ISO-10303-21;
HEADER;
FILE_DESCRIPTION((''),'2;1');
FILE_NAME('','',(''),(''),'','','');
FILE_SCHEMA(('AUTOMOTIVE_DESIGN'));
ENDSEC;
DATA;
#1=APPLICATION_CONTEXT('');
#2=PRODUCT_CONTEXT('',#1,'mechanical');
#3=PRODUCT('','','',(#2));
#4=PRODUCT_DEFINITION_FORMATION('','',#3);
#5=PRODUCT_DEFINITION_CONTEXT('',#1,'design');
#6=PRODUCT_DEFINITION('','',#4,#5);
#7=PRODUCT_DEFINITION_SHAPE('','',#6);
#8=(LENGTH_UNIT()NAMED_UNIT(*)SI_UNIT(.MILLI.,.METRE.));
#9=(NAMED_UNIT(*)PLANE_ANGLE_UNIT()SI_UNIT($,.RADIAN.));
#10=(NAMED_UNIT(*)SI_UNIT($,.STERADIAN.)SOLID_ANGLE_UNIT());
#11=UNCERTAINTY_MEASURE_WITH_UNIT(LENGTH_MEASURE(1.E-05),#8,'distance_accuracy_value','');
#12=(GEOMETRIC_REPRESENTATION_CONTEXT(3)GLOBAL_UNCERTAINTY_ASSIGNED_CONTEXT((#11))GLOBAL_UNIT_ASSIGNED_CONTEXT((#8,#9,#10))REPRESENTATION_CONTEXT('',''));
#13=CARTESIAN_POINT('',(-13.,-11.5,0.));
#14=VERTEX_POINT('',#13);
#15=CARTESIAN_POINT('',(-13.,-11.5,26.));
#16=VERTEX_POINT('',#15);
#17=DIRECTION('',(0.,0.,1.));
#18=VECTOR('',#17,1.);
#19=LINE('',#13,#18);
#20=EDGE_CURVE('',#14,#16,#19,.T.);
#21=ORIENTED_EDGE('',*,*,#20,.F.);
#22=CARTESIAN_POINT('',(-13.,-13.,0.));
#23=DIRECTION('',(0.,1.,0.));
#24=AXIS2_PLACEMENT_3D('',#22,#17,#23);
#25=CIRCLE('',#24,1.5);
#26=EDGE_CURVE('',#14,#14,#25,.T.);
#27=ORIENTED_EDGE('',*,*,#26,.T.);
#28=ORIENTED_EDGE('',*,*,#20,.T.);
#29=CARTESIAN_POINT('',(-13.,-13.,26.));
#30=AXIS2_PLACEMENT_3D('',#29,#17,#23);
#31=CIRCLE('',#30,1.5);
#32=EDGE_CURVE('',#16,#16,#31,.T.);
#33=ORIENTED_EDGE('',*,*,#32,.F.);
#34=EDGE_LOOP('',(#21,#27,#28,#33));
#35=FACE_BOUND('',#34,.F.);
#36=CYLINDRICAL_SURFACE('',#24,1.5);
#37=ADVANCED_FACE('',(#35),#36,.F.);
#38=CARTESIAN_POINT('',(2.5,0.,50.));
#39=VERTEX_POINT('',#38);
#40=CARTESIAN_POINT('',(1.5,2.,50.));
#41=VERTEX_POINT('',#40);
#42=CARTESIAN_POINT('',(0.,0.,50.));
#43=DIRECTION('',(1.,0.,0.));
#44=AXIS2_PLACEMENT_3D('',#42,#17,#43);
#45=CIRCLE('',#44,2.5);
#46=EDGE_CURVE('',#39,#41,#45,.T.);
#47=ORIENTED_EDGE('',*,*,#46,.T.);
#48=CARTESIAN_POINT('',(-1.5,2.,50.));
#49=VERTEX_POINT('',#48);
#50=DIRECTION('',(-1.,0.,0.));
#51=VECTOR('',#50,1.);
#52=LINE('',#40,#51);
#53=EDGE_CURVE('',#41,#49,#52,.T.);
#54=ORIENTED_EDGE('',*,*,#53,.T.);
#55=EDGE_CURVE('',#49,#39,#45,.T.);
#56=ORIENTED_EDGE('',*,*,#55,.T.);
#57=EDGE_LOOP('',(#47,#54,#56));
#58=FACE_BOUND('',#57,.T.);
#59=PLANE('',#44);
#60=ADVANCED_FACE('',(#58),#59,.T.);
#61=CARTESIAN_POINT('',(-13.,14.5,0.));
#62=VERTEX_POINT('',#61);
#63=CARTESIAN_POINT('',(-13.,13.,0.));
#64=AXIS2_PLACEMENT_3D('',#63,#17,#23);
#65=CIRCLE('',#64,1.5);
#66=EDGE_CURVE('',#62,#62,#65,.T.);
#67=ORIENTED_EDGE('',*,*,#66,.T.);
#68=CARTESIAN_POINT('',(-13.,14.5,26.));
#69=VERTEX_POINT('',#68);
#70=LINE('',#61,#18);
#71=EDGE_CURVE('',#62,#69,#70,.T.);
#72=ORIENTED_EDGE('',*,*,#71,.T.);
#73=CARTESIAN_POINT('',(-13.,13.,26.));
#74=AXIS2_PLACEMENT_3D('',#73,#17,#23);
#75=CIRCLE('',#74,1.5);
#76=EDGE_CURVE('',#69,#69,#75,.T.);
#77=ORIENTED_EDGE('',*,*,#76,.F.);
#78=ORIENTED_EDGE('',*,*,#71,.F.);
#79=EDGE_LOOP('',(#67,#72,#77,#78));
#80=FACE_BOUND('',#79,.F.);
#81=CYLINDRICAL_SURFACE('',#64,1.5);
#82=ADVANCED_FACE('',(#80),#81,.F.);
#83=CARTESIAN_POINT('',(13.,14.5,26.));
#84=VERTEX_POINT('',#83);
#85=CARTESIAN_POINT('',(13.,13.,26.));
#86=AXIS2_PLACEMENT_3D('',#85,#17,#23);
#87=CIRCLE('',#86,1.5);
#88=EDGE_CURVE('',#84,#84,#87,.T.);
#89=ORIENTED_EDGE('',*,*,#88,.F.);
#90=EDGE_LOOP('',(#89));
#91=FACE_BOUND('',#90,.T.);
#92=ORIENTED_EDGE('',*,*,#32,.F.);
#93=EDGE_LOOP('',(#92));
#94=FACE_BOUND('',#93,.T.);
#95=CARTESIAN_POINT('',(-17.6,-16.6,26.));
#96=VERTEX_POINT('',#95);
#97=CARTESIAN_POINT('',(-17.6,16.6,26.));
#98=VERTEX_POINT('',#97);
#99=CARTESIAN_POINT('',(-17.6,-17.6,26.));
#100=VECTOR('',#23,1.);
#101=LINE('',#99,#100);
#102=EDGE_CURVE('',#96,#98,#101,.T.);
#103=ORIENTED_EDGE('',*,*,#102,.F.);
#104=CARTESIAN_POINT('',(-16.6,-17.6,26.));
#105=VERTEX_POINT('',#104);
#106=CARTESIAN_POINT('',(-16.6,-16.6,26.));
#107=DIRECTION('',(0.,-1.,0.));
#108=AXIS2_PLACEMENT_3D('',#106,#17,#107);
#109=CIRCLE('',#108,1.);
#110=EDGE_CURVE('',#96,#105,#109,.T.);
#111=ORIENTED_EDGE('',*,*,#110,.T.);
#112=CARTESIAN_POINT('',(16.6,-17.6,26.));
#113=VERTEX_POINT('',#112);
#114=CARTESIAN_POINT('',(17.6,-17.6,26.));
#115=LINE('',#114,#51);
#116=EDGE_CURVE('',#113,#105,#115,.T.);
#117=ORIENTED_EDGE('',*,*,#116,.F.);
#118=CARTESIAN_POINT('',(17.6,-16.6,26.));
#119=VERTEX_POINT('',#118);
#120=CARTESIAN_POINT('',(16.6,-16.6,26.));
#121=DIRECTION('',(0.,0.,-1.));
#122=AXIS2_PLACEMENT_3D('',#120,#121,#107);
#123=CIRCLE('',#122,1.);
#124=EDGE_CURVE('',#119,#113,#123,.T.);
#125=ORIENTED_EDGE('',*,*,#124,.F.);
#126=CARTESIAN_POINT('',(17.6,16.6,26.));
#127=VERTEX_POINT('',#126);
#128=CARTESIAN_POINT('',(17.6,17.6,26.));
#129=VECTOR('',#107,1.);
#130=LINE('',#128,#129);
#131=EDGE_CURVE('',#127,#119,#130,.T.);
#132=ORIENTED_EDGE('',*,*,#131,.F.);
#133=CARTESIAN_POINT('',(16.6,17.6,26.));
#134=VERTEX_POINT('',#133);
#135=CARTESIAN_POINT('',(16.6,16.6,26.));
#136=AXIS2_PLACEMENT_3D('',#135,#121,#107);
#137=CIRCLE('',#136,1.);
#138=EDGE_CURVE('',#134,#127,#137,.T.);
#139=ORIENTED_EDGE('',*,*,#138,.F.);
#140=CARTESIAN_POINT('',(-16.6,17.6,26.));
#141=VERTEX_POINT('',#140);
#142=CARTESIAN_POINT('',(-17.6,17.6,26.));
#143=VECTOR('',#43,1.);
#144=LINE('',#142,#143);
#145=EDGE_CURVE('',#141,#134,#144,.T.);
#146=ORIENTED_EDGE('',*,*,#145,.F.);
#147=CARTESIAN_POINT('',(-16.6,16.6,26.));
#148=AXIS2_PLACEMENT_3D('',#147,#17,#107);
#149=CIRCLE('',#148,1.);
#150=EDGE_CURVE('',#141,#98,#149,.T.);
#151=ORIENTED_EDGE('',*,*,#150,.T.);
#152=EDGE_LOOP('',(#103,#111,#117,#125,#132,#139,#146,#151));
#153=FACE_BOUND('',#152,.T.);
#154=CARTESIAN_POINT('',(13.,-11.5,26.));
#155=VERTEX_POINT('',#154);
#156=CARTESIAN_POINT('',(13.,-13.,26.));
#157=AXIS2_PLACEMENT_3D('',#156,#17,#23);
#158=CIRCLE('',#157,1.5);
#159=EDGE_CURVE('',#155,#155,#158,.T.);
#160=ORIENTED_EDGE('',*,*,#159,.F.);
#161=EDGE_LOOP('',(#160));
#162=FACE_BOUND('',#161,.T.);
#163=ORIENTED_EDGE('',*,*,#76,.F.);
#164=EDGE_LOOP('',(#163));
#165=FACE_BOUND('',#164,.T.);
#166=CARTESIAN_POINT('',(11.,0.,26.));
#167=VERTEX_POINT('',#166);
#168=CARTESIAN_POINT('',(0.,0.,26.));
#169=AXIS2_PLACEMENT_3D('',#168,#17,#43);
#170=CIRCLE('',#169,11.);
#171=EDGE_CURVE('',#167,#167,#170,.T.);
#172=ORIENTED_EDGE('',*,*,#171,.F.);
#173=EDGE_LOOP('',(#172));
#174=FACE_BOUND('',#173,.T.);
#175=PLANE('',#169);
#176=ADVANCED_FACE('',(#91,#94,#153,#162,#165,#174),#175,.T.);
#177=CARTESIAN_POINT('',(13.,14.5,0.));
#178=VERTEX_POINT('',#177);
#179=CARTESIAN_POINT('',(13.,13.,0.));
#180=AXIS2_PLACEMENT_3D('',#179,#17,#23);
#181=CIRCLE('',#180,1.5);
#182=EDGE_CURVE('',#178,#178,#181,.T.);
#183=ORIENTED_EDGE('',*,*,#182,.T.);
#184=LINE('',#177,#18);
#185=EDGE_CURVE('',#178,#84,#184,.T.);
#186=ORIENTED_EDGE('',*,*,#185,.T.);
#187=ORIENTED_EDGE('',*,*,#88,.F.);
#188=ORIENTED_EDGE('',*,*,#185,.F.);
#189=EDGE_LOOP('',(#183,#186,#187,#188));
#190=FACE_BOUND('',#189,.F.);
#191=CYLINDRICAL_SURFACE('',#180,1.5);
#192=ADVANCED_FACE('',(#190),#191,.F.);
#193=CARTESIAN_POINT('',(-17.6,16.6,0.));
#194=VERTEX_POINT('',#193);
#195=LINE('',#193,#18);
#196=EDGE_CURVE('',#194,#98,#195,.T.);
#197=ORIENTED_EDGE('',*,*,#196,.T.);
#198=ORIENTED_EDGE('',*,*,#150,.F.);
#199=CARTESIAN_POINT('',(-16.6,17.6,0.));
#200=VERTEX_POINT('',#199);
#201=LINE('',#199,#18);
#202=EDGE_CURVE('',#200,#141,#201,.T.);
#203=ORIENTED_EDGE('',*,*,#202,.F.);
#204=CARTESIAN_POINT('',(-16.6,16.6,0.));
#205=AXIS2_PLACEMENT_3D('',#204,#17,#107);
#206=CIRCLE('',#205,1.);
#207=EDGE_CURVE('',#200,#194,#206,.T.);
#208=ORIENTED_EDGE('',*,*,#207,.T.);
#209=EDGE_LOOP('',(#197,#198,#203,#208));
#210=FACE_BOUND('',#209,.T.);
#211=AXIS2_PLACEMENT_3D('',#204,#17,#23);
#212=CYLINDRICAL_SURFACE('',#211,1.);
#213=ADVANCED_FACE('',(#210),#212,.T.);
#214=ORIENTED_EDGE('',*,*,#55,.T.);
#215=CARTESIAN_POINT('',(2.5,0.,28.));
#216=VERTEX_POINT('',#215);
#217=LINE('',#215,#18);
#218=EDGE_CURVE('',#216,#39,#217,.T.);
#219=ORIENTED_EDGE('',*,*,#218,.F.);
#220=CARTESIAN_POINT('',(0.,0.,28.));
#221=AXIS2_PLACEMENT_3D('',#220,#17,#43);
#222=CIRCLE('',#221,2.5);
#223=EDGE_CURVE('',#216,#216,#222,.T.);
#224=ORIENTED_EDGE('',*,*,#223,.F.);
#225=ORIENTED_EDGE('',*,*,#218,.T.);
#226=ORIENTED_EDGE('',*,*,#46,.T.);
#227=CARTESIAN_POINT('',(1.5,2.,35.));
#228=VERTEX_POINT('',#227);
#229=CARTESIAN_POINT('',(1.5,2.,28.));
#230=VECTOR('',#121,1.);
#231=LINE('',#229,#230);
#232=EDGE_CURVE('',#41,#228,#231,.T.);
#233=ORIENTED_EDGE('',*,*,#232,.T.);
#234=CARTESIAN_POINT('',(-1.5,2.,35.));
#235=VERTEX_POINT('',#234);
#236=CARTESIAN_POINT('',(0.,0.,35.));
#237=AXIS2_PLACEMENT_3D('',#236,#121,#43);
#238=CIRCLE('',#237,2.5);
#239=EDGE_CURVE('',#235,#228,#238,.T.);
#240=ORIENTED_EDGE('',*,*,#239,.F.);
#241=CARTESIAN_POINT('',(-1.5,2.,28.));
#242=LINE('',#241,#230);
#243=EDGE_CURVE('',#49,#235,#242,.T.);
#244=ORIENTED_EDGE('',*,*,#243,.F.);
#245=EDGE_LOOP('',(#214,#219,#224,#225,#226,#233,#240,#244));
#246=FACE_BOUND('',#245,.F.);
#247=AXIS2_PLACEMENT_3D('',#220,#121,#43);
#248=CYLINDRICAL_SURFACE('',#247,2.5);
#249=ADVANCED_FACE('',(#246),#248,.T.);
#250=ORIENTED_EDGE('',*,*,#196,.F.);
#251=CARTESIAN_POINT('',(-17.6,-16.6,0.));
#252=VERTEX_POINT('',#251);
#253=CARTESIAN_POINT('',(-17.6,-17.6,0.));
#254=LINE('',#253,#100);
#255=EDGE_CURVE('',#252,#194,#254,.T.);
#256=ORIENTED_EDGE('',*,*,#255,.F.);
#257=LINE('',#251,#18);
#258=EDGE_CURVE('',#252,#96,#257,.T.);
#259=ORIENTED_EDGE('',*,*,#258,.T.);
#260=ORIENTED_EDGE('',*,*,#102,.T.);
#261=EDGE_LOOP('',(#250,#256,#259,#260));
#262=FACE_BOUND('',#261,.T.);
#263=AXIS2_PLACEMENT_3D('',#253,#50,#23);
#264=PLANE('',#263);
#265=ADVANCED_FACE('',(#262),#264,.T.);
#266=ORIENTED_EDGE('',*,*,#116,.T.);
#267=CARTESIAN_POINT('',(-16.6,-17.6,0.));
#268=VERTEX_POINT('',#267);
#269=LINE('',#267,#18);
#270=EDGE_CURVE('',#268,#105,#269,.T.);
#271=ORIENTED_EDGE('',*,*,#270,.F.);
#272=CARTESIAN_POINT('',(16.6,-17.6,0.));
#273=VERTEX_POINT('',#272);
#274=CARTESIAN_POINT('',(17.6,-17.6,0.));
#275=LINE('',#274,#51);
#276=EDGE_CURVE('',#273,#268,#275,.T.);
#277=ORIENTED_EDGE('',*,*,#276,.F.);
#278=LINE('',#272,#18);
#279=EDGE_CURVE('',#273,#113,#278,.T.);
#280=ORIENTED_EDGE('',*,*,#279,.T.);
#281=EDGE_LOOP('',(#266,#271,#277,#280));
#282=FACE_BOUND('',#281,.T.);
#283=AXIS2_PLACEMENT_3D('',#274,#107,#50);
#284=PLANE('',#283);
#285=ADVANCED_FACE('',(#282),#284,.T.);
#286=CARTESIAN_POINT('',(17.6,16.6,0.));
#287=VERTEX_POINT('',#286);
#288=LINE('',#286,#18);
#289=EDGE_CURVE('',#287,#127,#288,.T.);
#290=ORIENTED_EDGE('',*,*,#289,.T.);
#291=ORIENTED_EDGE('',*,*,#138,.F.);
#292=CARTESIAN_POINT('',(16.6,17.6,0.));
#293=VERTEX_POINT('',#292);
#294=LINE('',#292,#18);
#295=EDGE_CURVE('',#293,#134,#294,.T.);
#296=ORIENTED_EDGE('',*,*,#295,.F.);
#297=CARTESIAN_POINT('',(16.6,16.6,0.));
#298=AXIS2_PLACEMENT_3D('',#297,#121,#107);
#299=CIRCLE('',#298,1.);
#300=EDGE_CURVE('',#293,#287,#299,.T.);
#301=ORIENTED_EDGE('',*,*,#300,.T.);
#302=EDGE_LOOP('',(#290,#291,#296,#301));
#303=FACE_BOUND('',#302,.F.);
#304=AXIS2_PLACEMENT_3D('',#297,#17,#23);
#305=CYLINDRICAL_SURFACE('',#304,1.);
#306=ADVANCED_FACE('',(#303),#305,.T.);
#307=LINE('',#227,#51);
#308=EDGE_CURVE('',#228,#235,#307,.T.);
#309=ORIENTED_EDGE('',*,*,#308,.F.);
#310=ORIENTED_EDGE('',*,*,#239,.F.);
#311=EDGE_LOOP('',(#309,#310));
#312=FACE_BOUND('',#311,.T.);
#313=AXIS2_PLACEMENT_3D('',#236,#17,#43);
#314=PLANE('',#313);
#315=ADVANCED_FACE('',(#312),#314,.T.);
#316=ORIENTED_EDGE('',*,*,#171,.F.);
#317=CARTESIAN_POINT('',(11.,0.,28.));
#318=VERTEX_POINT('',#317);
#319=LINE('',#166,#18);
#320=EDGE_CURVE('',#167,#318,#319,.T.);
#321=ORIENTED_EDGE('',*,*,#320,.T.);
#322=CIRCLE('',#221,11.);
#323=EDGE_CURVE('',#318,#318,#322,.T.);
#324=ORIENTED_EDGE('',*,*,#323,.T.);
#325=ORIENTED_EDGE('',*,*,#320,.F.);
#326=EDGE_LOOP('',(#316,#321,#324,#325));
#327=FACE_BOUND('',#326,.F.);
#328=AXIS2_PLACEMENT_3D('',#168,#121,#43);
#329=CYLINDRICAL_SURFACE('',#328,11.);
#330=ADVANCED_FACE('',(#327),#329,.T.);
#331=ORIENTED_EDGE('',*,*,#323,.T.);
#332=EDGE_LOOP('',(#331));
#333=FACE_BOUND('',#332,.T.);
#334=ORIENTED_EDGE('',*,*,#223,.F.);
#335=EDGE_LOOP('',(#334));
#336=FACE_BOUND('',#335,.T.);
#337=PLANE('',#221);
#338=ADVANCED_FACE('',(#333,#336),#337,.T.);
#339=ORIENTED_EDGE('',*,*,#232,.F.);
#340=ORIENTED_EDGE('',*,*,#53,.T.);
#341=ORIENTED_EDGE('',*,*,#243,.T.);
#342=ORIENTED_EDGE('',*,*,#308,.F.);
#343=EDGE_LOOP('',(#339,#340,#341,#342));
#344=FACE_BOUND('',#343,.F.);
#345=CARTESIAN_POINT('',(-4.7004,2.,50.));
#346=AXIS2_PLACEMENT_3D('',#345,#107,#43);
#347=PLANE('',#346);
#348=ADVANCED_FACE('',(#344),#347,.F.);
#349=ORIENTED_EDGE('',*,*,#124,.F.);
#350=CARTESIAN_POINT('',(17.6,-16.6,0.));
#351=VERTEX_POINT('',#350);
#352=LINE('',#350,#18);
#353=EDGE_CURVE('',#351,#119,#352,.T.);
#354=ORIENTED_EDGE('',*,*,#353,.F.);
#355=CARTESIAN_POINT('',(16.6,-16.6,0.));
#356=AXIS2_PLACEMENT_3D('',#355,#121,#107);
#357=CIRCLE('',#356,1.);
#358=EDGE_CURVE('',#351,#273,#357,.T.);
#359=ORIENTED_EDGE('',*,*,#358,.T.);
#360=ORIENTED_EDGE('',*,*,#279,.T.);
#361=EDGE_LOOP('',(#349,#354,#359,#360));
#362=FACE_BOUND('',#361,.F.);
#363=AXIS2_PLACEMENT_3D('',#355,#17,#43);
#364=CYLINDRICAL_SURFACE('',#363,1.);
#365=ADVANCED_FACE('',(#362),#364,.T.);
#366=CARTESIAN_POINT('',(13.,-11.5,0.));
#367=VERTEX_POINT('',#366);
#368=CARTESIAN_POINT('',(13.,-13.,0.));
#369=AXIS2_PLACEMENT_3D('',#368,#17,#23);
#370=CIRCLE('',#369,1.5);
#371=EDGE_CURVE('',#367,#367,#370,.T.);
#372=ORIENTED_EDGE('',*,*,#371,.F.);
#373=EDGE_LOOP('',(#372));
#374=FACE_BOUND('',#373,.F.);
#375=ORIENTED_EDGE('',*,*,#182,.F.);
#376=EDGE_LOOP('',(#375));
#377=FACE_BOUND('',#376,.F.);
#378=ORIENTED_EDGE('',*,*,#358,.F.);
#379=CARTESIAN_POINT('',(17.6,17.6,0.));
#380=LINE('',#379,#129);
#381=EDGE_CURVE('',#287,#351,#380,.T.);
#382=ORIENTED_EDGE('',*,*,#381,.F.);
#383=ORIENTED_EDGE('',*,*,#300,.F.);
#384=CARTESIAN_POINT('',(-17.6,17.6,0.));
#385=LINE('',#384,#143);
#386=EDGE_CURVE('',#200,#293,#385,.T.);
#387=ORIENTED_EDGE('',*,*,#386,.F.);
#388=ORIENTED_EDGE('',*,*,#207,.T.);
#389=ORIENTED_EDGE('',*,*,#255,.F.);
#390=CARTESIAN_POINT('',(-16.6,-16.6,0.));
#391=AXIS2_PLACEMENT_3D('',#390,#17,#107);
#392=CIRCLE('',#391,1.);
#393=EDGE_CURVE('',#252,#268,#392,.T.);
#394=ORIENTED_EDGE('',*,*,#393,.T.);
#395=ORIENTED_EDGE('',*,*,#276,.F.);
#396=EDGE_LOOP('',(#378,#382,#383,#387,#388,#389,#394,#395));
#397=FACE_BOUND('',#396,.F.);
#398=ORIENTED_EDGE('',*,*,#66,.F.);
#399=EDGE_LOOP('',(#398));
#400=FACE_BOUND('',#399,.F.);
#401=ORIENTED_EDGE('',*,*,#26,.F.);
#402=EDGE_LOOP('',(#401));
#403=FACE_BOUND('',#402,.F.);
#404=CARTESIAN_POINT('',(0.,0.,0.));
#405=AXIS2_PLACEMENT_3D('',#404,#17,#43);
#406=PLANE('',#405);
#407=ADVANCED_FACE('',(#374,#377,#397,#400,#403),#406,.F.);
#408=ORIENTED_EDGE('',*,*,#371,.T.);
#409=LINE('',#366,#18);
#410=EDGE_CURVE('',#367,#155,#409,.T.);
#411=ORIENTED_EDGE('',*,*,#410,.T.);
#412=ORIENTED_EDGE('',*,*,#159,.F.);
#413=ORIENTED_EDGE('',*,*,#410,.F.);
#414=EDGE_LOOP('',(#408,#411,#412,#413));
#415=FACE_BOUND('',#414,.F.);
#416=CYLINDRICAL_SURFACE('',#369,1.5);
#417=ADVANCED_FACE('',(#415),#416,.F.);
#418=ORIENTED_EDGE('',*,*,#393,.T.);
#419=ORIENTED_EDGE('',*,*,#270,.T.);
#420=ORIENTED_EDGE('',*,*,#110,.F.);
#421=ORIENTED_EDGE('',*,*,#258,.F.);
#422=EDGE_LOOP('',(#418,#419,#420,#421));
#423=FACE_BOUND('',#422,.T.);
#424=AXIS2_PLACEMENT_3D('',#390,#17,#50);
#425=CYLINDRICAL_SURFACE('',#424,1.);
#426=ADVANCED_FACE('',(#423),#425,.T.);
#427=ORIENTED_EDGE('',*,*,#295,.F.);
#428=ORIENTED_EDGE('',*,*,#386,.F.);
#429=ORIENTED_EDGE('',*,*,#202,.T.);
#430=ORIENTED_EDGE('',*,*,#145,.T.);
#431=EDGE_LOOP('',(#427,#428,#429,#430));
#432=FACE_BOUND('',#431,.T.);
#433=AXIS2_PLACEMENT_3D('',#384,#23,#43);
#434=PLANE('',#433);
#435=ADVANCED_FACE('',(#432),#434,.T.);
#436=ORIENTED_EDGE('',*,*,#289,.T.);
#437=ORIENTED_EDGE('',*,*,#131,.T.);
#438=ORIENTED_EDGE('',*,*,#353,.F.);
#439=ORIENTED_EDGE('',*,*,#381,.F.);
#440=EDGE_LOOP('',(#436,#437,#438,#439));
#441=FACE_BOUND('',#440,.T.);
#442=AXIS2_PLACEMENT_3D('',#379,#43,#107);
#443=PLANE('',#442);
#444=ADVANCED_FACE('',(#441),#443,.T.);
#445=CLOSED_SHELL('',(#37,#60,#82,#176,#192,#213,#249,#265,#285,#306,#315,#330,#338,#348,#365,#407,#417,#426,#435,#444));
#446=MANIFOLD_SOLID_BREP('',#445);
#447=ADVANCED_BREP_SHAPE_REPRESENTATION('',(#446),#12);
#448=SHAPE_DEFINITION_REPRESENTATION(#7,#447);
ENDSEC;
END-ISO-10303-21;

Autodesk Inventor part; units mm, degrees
ref_plane "YZ Plane" through (0, 0, 0) normal (1, 0, 0) x (0, 1, 0)
ref_plane "XZ Plane" through (0, 0, 0) normal (0, 1, 0) x (-1, 0, 0)
ref_plane "XY Plane" through (0, 0, 0) normal (0, 0, 1) x (1, 0, 0)
sketch "Эскиз1" plane through (0, 0, 0) normal (0, 0, 1) x (1, 0, 0)
  line L0 (-17.6, 17.6) -> (17.6, 17.6)
  line L1 (17.6, 17.6) -> (17.6, -17.6)
  line L2 (17.6, -17.6) -> (-17.6, -17.6)
  line L3 (-17.6, -17.6) -> (-17.6, 17.6)
  point P0 (13, -13)
  point P1 (-13, -13)
  point P2 (13, 13)
  point P3 (-13, 13)
  dimension "d0" = 35.2
  dimension "d1" = 35.2
extrude "Выдавливание1" add sketch "Эскиз1" along normal blind 26
sketch "Эскиз2" plane through (0, 0, 26) normal (0, 0, 1) x (1, 0, 0)
  circle A0 centre (0, 0) radius 11
  dimension "d6" = 22
extrude "Выдавливание2" add sketch "Эскиз2" along normal blind 2
sketch "Эскиз3" plane through (0, 0, 28) normal (0, 0, 1) x (1, 0, 0)
  circle A0 centre (0, 0) radius 11 projected
  circle A1 centre (0, 0) radius 2.5
  dimension "d9" = 5
extrude "Выдавливание3" add sketch "Эскиз3" along normal blind 22 contours A1
sketch "Эскиз4" plane through (0, 0, 50) normal (0, 0, 1) x (1, 0, 0)
  line L0 (0, 2) -> (3.1194, 2)
  line L1 (3.1194, 2) -> (3.1194, 3.4913)
  line L2 (3.1194, 3.4913) -> (-4.7004, 3.4913)
  line L3 (-4.7004, 3.4913) -> (-4.7004, 2)
  line L4 (-4.7004, 2) -> (0, 2)
extrude "Выдавливание4" cut sketch "Эскиз4" against normal blind 15
hole "Отверстие1" at (13, -13, 0) at (13, 13, 0) at (-13, 13, 0) at (-13, -13, 0) direction (0, 0, 1) diameter 3 end through all
fillet "Сопряжение1" radius 1 4 edges at (-17.6, -17.6, 13) (17.6, -17.6, 13) (17.6, 17.6, 13) (-17.6, 17.6, 13)
properties part number "MotorNema14"
